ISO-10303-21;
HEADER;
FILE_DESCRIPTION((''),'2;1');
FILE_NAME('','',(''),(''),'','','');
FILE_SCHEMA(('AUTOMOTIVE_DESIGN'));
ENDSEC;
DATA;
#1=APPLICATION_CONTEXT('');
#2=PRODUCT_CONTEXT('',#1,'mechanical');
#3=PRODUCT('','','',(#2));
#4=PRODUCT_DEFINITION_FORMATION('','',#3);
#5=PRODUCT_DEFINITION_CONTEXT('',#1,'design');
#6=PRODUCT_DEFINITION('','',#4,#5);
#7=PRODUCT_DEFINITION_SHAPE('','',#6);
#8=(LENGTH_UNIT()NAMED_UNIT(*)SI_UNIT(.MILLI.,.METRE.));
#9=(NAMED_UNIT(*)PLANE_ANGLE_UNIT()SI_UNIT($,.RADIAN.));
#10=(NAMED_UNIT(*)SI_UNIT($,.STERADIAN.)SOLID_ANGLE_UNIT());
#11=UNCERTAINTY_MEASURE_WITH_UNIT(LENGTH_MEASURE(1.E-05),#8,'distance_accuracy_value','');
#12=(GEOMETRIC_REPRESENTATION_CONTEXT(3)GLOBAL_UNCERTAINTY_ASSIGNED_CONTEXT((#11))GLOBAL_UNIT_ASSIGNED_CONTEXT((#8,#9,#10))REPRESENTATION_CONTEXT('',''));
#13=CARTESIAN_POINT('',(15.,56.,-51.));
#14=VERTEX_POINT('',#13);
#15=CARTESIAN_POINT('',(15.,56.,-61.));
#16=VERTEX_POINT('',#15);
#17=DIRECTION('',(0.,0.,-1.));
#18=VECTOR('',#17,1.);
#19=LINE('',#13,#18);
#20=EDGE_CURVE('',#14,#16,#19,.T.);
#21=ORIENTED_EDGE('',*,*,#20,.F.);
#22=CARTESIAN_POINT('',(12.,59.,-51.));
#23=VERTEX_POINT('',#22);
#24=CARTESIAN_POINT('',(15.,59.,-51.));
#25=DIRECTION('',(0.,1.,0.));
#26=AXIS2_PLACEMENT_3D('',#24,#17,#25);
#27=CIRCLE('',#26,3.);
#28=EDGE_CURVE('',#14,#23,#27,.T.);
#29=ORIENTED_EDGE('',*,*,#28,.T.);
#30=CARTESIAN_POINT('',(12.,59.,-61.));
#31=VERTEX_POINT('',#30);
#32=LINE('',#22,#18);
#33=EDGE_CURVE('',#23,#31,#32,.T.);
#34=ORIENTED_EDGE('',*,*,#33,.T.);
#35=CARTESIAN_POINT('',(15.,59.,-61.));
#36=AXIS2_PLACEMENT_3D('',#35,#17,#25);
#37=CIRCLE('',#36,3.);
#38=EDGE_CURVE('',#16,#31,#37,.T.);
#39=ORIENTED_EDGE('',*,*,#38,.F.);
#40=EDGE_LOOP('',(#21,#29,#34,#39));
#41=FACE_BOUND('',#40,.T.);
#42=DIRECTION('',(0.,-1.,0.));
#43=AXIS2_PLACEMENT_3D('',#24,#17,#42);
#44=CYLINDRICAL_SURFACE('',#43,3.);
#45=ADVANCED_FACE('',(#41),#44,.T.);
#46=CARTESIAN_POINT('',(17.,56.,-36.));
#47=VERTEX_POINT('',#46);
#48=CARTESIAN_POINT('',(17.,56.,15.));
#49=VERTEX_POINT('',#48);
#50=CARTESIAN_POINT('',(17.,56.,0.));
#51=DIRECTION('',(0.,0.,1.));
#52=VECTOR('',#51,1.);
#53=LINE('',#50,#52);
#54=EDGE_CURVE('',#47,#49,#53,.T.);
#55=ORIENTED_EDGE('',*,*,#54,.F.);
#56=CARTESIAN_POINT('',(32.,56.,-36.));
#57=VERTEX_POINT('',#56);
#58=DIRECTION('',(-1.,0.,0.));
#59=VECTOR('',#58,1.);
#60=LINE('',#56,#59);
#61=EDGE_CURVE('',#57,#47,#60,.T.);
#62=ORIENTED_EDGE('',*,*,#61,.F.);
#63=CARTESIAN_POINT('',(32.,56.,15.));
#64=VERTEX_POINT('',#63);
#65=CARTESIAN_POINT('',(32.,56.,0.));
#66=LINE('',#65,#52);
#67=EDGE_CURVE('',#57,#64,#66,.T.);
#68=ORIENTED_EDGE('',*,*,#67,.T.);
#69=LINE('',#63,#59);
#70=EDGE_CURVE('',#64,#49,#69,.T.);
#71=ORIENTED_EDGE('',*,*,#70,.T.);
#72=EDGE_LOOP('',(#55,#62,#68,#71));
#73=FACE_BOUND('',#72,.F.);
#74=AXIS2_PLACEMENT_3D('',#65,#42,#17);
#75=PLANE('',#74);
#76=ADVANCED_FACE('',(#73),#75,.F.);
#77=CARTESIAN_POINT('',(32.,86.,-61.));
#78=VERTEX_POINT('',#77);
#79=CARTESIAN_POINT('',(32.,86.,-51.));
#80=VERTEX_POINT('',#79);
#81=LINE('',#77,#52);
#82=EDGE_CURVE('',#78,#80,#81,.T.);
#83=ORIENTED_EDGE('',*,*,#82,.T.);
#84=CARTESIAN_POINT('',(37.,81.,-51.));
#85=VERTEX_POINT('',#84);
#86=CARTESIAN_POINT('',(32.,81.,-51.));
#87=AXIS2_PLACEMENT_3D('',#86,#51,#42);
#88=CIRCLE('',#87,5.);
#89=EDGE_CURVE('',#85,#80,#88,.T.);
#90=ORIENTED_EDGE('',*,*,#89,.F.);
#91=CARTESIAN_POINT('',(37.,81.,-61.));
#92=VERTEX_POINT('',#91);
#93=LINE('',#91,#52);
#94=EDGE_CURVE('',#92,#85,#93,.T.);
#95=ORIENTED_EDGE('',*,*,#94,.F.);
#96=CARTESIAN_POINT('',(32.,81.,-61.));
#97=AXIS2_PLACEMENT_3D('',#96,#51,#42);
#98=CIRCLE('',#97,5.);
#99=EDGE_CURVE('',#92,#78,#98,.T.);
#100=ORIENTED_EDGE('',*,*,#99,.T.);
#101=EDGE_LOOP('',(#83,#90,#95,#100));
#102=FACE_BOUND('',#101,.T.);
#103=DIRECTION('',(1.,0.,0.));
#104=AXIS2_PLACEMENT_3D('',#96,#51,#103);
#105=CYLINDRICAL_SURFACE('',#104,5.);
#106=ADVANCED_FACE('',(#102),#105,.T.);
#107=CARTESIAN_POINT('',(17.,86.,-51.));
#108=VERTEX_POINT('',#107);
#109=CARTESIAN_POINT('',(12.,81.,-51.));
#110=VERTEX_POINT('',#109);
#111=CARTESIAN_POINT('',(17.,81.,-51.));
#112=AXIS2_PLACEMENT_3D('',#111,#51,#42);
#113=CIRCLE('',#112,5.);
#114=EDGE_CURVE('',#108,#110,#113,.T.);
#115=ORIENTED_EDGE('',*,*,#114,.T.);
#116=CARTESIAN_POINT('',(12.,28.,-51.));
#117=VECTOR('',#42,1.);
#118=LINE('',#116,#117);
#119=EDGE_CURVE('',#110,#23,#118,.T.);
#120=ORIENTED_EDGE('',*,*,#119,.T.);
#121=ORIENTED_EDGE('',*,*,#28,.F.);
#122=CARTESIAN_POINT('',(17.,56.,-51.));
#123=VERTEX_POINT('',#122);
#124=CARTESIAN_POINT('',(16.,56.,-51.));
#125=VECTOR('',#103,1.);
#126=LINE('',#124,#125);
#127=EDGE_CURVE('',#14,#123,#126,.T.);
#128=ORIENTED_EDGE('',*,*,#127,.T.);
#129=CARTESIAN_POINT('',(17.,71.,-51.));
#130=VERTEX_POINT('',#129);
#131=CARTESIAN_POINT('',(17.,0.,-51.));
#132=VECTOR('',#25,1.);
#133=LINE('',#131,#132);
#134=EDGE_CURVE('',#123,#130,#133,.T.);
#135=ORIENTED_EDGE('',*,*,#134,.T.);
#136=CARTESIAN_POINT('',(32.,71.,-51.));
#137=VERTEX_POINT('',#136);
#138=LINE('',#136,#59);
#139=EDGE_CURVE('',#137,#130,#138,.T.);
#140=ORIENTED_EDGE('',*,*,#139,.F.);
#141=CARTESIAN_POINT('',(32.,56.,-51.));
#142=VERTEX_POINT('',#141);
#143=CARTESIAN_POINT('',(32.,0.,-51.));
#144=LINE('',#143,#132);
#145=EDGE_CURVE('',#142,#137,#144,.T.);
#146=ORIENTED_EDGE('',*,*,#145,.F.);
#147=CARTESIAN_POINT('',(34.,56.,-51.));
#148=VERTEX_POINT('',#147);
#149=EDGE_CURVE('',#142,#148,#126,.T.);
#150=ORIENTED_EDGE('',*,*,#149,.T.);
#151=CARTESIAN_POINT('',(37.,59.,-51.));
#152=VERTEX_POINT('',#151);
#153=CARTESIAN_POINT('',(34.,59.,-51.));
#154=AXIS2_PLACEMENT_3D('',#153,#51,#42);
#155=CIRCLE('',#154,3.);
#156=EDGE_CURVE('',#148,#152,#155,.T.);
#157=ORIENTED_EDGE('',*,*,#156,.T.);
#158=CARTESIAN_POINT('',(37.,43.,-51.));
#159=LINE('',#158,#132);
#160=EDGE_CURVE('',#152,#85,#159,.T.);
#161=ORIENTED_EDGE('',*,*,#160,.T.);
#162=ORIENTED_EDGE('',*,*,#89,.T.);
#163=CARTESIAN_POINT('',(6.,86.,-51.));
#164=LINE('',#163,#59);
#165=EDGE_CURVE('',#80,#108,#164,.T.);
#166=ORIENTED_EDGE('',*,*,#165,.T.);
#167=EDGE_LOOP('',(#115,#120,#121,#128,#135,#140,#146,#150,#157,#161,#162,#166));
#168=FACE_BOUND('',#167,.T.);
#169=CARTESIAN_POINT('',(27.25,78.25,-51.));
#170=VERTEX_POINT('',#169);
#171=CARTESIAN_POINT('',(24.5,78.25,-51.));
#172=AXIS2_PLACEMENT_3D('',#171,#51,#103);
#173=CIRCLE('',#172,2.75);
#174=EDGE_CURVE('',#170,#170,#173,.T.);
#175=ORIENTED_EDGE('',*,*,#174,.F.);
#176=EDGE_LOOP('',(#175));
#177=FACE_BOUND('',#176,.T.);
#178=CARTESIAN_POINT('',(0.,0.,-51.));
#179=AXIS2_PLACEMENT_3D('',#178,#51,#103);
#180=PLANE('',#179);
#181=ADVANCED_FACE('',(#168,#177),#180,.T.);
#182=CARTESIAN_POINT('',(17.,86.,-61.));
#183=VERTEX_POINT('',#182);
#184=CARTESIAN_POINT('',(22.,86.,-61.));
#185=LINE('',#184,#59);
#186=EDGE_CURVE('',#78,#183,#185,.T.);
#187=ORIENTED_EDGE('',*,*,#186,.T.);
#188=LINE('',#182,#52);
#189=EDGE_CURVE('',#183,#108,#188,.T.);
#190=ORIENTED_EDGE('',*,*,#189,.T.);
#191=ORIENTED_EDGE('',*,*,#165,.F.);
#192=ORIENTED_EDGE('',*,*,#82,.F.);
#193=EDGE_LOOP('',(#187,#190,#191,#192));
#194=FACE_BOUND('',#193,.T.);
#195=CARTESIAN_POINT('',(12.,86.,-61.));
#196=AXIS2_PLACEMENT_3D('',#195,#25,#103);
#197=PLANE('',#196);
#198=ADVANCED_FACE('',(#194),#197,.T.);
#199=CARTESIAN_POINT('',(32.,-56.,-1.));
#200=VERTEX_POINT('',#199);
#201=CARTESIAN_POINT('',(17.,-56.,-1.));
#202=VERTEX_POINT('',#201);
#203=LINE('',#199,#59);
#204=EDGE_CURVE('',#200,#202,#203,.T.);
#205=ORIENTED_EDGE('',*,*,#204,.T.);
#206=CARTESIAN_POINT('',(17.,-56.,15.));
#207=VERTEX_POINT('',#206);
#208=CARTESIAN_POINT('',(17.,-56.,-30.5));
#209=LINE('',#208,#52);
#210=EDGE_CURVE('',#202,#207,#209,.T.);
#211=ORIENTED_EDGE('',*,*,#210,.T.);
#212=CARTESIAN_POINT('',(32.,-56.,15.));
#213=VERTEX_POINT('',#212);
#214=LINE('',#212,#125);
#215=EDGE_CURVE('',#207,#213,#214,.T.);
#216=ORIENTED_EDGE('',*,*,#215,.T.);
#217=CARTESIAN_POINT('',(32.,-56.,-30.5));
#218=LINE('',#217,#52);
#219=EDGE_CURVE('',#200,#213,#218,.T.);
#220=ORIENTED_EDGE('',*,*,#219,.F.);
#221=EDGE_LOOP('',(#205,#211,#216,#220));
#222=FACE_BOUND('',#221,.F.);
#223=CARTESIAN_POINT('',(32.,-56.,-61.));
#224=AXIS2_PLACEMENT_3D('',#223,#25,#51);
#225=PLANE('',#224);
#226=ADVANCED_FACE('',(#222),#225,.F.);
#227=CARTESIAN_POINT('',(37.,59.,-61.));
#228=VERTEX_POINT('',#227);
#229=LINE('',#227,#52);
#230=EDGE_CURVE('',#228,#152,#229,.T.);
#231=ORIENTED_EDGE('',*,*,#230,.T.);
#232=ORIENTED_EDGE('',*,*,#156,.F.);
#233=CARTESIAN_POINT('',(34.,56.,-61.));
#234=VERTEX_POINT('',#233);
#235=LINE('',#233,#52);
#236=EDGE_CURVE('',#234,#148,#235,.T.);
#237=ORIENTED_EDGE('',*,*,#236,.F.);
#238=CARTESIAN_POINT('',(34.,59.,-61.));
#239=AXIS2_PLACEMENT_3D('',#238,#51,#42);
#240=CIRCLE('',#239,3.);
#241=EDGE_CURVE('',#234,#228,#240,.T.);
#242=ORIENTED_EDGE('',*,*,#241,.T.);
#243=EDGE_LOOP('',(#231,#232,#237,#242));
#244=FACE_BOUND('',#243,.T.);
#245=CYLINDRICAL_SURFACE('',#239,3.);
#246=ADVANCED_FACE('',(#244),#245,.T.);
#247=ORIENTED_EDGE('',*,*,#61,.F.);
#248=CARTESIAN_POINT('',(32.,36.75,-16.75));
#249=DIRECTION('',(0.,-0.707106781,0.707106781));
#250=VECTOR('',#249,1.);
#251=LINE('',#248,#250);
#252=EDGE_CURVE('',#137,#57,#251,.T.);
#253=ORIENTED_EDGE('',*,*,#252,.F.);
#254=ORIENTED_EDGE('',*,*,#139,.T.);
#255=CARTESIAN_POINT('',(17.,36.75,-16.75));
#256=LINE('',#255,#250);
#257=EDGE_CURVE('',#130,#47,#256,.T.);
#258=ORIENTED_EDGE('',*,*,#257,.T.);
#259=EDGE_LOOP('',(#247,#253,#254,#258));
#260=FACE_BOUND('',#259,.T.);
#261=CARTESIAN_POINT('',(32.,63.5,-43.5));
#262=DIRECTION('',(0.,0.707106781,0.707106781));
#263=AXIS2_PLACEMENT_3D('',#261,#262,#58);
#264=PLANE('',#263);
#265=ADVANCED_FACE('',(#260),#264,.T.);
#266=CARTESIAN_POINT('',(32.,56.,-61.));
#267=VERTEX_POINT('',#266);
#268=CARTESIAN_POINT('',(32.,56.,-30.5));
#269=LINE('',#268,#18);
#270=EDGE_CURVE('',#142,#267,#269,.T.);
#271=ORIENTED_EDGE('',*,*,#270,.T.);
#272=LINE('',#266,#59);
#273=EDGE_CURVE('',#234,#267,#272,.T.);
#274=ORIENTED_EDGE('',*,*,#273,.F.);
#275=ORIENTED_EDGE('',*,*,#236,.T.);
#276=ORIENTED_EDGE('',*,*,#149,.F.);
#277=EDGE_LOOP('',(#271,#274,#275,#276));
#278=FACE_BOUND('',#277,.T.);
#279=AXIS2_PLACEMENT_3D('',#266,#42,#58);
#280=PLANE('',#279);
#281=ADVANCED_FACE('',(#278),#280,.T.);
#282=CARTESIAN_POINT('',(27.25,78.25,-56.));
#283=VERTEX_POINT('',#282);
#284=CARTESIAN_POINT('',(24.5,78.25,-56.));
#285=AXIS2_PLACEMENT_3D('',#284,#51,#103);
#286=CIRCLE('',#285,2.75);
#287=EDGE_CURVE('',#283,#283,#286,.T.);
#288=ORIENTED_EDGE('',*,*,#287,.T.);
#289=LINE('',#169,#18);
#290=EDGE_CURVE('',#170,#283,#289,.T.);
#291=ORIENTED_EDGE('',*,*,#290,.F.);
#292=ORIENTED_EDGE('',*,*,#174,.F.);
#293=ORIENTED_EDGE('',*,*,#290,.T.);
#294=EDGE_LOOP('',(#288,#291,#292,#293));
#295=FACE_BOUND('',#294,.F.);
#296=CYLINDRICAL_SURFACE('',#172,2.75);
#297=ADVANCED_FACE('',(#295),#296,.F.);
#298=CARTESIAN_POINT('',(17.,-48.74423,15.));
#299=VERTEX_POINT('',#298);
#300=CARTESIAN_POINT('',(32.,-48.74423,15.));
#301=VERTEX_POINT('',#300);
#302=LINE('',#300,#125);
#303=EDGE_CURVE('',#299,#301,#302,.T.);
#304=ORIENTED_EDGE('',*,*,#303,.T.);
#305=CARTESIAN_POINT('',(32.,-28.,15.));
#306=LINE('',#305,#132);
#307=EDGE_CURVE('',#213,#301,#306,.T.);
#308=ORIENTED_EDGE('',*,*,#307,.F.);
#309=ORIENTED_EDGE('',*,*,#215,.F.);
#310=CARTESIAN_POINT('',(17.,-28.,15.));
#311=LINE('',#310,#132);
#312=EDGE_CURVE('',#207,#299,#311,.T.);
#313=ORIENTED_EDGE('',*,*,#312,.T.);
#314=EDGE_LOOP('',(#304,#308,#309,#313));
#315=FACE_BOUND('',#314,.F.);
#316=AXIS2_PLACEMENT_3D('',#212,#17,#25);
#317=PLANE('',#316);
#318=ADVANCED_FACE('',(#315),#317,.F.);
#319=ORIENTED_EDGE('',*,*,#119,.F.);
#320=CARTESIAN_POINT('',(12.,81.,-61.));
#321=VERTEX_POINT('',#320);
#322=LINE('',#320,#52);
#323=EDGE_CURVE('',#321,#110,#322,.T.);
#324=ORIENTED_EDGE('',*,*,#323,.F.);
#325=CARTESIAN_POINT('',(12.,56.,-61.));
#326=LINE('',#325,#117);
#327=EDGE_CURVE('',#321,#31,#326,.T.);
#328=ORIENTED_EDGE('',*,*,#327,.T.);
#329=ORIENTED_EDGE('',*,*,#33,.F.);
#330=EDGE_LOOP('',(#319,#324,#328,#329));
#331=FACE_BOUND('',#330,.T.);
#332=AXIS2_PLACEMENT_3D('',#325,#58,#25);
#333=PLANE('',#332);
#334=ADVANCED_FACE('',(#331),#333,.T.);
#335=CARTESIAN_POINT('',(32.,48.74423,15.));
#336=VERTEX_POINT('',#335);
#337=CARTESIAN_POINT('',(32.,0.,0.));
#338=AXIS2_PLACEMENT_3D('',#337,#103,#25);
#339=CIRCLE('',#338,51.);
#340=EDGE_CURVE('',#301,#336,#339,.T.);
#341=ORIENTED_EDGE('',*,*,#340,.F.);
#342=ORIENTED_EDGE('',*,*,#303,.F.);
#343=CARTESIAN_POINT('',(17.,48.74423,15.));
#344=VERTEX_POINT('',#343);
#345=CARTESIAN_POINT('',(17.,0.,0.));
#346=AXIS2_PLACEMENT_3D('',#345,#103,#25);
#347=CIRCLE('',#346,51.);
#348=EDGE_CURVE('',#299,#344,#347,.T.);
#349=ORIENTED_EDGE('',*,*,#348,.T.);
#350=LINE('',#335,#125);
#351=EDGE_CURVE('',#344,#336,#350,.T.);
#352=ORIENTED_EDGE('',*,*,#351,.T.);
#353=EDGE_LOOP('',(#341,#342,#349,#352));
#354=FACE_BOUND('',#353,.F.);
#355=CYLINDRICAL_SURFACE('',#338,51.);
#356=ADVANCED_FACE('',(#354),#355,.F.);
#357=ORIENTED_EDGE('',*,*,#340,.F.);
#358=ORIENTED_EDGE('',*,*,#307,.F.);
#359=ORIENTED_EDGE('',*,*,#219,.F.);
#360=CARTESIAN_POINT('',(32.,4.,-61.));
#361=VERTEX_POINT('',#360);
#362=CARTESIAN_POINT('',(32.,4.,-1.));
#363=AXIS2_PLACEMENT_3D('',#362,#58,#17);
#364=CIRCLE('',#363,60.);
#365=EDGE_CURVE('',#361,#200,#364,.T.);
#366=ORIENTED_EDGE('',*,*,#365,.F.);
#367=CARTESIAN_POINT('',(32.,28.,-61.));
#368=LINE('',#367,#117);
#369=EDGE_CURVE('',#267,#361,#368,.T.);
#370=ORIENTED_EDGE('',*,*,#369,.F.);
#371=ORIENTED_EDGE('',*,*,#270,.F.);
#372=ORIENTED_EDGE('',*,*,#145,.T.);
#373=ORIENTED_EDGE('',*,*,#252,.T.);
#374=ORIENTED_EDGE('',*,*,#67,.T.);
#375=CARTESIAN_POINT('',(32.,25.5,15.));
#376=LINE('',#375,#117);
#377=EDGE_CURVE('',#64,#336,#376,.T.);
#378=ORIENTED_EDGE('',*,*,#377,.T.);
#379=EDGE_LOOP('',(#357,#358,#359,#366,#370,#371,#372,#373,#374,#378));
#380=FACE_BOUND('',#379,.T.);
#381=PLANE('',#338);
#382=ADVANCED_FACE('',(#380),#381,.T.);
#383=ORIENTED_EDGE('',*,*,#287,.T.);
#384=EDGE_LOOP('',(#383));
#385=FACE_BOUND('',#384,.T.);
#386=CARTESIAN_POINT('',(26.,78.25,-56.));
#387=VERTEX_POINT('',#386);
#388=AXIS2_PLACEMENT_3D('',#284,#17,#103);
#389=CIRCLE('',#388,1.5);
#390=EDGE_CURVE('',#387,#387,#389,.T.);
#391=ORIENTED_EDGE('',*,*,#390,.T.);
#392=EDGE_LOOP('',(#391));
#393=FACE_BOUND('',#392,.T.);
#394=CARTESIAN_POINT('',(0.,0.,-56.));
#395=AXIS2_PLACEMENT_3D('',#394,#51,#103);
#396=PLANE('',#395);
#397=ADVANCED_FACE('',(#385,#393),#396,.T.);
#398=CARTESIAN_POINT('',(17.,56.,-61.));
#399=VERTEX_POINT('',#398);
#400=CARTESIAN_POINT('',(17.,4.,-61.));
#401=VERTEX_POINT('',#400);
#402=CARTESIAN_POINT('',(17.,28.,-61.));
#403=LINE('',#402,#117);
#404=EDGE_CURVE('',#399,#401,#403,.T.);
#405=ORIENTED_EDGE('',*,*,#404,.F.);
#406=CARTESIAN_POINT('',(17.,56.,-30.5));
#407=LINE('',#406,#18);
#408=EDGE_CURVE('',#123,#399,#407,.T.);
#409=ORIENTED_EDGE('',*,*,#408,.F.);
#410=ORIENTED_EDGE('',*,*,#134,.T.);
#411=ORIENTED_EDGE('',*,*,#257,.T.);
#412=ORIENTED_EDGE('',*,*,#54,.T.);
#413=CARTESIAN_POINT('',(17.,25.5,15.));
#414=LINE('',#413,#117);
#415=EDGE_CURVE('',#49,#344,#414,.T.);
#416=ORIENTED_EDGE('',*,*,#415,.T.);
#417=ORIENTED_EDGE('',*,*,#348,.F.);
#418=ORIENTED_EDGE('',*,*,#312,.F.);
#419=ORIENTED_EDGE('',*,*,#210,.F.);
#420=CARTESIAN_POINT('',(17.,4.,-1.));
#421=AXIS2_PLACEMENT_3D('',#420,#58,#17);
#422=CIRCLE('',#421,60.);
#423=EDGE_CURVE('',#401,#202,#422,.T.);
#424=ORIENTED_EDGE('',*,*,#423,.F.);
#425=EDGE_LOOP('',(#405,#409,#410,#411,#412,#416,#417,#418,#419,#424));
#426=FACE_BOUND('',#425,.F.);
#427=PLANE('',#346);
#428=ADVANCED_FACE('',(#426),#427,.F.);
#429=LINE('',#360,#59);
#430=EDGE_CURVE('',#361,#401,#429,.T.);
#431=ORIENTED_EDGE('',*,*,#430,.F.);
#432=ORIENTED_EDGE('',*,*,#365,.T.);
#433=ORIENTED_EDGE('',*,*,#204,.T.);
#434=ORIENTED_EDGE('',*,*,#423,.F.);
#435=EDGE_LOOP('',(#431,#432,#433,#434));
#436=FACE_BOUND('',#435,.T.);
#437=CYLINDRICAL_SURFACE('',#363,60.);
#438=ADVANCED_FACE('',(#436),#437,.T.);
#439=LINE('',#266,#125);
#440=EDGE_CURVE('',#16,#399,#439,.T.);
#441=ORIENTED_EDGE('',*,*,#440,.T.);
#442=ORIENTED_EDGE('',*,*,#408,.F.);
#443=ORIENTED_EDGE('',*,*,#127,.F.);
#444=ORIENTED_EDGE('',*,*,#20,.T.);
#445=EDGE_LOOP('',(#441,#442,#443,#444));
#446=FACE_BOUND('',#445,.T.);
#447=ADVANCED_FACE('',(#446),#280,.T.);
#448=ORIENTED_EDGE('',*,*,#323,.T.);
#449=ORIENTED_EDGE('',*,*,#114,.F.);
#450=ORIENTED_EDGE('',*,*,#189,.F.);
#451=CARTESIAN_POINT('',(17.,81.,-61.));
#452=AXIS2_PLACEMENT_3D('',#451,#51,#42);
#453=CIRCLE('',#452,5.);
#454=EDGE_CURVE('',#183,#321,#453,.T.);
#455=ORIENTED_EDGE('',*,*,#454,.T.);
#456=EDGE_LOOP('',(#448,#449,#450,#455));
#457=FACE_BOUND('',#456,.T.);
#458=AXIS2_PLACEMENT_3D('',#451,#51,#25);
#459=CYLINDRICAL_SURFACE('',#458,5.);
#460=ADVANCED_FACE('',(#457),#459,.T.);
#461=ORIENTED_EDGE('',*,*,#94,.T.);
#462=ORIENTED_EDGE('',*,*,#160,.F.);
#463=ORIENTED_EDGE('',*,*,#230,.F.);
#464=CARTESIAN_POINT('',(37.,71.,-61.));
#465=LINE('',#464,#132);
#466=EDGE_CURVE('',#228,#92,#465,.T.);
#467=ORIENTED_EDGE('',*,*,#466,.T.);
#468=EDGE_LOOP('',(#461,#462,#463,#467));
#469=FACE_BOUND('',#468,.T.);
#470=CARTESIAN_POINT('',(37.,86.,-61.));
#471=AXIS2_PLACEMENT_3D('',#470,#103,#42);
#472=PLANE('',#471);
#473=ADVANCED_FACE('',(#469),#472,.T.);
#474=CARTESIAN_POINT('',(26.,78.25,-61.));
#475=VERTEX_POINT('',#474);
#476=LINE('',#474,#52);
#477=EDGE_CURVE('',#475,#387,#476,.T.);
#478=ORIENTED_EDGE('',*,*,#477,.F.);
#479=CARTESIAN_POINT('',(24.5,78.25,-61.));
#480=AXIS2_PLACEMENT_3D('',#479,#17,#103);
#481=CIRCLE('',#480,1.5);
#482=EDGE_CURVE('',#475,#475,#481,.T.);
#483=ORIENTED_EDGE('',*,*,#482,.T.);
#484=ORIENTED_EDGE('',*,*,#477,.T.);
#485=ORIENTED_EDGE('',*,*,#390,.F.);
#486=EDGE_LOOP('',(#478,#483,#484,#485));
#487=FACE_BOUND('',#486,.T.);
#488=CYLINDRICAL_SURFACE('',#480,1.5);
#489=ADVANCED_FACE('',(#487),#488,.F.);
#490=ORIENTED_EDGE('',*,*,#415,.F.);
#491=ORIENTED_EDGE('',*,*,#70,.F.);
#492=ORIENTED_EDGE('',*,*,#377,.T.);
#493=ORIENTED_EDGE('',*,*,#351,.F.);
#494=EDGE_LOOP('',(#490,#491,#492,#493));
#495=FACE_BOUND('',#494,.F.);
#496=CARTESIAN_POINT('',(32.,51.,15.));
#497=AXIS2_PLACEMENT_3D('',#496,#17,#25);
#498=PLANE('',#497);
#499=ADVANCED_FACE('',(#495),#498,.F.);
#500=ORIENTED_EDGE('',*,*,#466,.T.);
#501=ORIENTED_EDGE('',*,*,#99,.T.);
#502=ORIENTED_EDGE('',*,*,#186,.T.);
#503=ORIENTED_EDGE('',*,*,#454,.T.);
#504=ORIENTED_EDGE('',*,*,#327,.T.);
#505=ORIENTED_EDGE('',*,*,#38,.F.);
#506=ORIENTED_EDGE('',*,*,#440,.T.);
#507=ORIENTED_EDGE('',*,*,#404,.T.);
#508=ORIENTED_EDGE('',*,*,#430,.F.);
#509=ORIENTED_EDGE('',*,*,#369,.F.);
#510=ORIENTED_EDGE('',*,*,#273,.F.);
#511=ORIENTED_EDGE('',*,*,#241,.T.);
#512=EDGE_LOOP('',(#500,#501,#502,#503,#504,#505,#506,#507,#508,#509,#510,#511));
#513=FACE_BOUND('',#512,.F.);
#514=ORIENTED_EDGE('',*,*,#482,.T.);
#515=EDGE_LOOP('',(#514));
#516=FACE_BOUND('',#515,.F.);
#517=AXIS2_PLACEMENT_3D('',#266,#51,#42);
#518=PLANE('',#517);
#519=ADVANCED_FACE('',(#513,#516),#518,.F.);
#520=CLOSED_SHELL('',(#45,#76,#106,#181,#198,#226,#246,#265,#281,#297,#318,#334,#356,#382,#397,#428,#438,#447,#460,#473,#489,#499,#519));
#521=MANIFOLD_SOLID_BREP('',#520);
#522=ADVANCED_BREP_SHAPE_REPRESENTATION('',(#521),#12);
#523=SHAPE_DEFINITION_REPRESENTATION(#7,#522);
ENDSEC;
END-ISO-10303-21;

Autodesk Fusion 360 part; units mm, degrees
sketch "Sketch1" plane through (0, 0, 0) normal (1, 0, 0) x (0, 1, 0)
  circle A0 centre (0, 0) radius 51
  dimension "d1" = 102
extrude "Extrude1" add sketch "Sketch1" along normal blind 32 makes body 1
sketch "Sketch2" plane through (32, 0, 0) normal (1, 0, 0) x (0, 1, 0)
  circle A0 centre (0, 0) radius 51
  circle A1 centre (0, 0) radius 51
  line L0 (-56, 0) -> (56, 0)
  line L1 (56, 0) -> (56, -61)
  line L2 (56, -61) -> (-56, -61)
  line L3 (-56, -61) -> (-56, 0)
  dimension "d5" = 5
  dimension "d6" = 5
  dimension "d7" = 10
extrude "Extrude2" add sketch "Sketch2" against normal blind 15 separate body contours A0 A1 L0 L1 L2 L3 makes body 2
combine "Combine1" operation cut target body 2 tool bodies 1
sketch "Sketch3" plane through (0, 0, 0) normal (0, 0, 1) x (1, 0, 0)
  line L0 (32, -56) -> (17, -56)
  line L1 (32, 56) -> (17, 56)
  line L2 (32, 51) -> (17, 51)
  line L3 (17, 56) -> (17, 51)
  line L4 (32, 51) -> (32, 56)
  line L5 (32, -56) -> (32, -51)
  line L6 (17, -51) -> (17, -56)
  line L7 (32, -51) -> (17, -51)
  line L8 (32, -51) -> (32, 51) construction
  line L9 (17, -51) -> (17, 51) construction
  line L10 (32, 0) -> (0, 0) construction
  line L11 (62, -12.5) -> (32, -12.5)
  line L12 (32, -12.5) -> (32, 12.5)
  line L13 (32, 12.5) -> (62, 12.5)
  line L14 (62, 12.5) -> (62, -12.5)
  line L15 (62, 0) -> (32, 0) construction
  circle A0 centre (54.25, 0) radius 2.75
  circle A1 centre (54.25, 0) radius 1.5
  line L16 (24.5, 56) -> (24.5, 51) construction
  line L17 (37, 56) -> (12, 56)
  line L18 (12, 56) -> (12, 86)
  line L19 (12, 86) -> (37, 86)
  line L20 (37, 86) -> (37, 56)
  line L21 (24.5, 56) -> (24.5, 86) construction
  circle A2 centre (24.5, 78.25) radius 2.75
  circle A3 centre (24.5, 78.25) radius 1.5
  point P0 (32, 56)
  point P1 (54.25, 0)
  dimension "d10" = 30
  dimension "d11" = 25
  dimension "d12" = 5.5
  dimension "d13" = 3
  dimension "d14" = 5
  dimension "d29" = 5.5
  dimension "d30" = 5
  dimension "d31" = 3
extrude "Extrude5" add sketch "Sketch3" along normal blind 10 from surface at -61 contours L1 L17 L18 L19 L20 | A2 bodies 2
extrude "Extrude6" cut sketch "Sketch3" against normal blind 5 from surface at -51 contours A2 bodies 2
move_face "OffsetFaces2" offset 15 2 faces at (27, -54.3333, 0) (27, 52.6667, 0) on bodies 2
fillet "Fillet4" radius 5 2 edges at (37, 86, -56) (12, 86, -56) on bodies 2
fillet "Fillet6" radius 60 1 edges at (24.5, -56, -61) on bodies 2
fillet "Fillet7" radius 3 2 edges at (12, 56, -56) (37, 56, -56) on bodies 2
chamfer "Chamfer2" distance 15 angle 45 1 edges at (24.5, 56, -51) on bodies 2
